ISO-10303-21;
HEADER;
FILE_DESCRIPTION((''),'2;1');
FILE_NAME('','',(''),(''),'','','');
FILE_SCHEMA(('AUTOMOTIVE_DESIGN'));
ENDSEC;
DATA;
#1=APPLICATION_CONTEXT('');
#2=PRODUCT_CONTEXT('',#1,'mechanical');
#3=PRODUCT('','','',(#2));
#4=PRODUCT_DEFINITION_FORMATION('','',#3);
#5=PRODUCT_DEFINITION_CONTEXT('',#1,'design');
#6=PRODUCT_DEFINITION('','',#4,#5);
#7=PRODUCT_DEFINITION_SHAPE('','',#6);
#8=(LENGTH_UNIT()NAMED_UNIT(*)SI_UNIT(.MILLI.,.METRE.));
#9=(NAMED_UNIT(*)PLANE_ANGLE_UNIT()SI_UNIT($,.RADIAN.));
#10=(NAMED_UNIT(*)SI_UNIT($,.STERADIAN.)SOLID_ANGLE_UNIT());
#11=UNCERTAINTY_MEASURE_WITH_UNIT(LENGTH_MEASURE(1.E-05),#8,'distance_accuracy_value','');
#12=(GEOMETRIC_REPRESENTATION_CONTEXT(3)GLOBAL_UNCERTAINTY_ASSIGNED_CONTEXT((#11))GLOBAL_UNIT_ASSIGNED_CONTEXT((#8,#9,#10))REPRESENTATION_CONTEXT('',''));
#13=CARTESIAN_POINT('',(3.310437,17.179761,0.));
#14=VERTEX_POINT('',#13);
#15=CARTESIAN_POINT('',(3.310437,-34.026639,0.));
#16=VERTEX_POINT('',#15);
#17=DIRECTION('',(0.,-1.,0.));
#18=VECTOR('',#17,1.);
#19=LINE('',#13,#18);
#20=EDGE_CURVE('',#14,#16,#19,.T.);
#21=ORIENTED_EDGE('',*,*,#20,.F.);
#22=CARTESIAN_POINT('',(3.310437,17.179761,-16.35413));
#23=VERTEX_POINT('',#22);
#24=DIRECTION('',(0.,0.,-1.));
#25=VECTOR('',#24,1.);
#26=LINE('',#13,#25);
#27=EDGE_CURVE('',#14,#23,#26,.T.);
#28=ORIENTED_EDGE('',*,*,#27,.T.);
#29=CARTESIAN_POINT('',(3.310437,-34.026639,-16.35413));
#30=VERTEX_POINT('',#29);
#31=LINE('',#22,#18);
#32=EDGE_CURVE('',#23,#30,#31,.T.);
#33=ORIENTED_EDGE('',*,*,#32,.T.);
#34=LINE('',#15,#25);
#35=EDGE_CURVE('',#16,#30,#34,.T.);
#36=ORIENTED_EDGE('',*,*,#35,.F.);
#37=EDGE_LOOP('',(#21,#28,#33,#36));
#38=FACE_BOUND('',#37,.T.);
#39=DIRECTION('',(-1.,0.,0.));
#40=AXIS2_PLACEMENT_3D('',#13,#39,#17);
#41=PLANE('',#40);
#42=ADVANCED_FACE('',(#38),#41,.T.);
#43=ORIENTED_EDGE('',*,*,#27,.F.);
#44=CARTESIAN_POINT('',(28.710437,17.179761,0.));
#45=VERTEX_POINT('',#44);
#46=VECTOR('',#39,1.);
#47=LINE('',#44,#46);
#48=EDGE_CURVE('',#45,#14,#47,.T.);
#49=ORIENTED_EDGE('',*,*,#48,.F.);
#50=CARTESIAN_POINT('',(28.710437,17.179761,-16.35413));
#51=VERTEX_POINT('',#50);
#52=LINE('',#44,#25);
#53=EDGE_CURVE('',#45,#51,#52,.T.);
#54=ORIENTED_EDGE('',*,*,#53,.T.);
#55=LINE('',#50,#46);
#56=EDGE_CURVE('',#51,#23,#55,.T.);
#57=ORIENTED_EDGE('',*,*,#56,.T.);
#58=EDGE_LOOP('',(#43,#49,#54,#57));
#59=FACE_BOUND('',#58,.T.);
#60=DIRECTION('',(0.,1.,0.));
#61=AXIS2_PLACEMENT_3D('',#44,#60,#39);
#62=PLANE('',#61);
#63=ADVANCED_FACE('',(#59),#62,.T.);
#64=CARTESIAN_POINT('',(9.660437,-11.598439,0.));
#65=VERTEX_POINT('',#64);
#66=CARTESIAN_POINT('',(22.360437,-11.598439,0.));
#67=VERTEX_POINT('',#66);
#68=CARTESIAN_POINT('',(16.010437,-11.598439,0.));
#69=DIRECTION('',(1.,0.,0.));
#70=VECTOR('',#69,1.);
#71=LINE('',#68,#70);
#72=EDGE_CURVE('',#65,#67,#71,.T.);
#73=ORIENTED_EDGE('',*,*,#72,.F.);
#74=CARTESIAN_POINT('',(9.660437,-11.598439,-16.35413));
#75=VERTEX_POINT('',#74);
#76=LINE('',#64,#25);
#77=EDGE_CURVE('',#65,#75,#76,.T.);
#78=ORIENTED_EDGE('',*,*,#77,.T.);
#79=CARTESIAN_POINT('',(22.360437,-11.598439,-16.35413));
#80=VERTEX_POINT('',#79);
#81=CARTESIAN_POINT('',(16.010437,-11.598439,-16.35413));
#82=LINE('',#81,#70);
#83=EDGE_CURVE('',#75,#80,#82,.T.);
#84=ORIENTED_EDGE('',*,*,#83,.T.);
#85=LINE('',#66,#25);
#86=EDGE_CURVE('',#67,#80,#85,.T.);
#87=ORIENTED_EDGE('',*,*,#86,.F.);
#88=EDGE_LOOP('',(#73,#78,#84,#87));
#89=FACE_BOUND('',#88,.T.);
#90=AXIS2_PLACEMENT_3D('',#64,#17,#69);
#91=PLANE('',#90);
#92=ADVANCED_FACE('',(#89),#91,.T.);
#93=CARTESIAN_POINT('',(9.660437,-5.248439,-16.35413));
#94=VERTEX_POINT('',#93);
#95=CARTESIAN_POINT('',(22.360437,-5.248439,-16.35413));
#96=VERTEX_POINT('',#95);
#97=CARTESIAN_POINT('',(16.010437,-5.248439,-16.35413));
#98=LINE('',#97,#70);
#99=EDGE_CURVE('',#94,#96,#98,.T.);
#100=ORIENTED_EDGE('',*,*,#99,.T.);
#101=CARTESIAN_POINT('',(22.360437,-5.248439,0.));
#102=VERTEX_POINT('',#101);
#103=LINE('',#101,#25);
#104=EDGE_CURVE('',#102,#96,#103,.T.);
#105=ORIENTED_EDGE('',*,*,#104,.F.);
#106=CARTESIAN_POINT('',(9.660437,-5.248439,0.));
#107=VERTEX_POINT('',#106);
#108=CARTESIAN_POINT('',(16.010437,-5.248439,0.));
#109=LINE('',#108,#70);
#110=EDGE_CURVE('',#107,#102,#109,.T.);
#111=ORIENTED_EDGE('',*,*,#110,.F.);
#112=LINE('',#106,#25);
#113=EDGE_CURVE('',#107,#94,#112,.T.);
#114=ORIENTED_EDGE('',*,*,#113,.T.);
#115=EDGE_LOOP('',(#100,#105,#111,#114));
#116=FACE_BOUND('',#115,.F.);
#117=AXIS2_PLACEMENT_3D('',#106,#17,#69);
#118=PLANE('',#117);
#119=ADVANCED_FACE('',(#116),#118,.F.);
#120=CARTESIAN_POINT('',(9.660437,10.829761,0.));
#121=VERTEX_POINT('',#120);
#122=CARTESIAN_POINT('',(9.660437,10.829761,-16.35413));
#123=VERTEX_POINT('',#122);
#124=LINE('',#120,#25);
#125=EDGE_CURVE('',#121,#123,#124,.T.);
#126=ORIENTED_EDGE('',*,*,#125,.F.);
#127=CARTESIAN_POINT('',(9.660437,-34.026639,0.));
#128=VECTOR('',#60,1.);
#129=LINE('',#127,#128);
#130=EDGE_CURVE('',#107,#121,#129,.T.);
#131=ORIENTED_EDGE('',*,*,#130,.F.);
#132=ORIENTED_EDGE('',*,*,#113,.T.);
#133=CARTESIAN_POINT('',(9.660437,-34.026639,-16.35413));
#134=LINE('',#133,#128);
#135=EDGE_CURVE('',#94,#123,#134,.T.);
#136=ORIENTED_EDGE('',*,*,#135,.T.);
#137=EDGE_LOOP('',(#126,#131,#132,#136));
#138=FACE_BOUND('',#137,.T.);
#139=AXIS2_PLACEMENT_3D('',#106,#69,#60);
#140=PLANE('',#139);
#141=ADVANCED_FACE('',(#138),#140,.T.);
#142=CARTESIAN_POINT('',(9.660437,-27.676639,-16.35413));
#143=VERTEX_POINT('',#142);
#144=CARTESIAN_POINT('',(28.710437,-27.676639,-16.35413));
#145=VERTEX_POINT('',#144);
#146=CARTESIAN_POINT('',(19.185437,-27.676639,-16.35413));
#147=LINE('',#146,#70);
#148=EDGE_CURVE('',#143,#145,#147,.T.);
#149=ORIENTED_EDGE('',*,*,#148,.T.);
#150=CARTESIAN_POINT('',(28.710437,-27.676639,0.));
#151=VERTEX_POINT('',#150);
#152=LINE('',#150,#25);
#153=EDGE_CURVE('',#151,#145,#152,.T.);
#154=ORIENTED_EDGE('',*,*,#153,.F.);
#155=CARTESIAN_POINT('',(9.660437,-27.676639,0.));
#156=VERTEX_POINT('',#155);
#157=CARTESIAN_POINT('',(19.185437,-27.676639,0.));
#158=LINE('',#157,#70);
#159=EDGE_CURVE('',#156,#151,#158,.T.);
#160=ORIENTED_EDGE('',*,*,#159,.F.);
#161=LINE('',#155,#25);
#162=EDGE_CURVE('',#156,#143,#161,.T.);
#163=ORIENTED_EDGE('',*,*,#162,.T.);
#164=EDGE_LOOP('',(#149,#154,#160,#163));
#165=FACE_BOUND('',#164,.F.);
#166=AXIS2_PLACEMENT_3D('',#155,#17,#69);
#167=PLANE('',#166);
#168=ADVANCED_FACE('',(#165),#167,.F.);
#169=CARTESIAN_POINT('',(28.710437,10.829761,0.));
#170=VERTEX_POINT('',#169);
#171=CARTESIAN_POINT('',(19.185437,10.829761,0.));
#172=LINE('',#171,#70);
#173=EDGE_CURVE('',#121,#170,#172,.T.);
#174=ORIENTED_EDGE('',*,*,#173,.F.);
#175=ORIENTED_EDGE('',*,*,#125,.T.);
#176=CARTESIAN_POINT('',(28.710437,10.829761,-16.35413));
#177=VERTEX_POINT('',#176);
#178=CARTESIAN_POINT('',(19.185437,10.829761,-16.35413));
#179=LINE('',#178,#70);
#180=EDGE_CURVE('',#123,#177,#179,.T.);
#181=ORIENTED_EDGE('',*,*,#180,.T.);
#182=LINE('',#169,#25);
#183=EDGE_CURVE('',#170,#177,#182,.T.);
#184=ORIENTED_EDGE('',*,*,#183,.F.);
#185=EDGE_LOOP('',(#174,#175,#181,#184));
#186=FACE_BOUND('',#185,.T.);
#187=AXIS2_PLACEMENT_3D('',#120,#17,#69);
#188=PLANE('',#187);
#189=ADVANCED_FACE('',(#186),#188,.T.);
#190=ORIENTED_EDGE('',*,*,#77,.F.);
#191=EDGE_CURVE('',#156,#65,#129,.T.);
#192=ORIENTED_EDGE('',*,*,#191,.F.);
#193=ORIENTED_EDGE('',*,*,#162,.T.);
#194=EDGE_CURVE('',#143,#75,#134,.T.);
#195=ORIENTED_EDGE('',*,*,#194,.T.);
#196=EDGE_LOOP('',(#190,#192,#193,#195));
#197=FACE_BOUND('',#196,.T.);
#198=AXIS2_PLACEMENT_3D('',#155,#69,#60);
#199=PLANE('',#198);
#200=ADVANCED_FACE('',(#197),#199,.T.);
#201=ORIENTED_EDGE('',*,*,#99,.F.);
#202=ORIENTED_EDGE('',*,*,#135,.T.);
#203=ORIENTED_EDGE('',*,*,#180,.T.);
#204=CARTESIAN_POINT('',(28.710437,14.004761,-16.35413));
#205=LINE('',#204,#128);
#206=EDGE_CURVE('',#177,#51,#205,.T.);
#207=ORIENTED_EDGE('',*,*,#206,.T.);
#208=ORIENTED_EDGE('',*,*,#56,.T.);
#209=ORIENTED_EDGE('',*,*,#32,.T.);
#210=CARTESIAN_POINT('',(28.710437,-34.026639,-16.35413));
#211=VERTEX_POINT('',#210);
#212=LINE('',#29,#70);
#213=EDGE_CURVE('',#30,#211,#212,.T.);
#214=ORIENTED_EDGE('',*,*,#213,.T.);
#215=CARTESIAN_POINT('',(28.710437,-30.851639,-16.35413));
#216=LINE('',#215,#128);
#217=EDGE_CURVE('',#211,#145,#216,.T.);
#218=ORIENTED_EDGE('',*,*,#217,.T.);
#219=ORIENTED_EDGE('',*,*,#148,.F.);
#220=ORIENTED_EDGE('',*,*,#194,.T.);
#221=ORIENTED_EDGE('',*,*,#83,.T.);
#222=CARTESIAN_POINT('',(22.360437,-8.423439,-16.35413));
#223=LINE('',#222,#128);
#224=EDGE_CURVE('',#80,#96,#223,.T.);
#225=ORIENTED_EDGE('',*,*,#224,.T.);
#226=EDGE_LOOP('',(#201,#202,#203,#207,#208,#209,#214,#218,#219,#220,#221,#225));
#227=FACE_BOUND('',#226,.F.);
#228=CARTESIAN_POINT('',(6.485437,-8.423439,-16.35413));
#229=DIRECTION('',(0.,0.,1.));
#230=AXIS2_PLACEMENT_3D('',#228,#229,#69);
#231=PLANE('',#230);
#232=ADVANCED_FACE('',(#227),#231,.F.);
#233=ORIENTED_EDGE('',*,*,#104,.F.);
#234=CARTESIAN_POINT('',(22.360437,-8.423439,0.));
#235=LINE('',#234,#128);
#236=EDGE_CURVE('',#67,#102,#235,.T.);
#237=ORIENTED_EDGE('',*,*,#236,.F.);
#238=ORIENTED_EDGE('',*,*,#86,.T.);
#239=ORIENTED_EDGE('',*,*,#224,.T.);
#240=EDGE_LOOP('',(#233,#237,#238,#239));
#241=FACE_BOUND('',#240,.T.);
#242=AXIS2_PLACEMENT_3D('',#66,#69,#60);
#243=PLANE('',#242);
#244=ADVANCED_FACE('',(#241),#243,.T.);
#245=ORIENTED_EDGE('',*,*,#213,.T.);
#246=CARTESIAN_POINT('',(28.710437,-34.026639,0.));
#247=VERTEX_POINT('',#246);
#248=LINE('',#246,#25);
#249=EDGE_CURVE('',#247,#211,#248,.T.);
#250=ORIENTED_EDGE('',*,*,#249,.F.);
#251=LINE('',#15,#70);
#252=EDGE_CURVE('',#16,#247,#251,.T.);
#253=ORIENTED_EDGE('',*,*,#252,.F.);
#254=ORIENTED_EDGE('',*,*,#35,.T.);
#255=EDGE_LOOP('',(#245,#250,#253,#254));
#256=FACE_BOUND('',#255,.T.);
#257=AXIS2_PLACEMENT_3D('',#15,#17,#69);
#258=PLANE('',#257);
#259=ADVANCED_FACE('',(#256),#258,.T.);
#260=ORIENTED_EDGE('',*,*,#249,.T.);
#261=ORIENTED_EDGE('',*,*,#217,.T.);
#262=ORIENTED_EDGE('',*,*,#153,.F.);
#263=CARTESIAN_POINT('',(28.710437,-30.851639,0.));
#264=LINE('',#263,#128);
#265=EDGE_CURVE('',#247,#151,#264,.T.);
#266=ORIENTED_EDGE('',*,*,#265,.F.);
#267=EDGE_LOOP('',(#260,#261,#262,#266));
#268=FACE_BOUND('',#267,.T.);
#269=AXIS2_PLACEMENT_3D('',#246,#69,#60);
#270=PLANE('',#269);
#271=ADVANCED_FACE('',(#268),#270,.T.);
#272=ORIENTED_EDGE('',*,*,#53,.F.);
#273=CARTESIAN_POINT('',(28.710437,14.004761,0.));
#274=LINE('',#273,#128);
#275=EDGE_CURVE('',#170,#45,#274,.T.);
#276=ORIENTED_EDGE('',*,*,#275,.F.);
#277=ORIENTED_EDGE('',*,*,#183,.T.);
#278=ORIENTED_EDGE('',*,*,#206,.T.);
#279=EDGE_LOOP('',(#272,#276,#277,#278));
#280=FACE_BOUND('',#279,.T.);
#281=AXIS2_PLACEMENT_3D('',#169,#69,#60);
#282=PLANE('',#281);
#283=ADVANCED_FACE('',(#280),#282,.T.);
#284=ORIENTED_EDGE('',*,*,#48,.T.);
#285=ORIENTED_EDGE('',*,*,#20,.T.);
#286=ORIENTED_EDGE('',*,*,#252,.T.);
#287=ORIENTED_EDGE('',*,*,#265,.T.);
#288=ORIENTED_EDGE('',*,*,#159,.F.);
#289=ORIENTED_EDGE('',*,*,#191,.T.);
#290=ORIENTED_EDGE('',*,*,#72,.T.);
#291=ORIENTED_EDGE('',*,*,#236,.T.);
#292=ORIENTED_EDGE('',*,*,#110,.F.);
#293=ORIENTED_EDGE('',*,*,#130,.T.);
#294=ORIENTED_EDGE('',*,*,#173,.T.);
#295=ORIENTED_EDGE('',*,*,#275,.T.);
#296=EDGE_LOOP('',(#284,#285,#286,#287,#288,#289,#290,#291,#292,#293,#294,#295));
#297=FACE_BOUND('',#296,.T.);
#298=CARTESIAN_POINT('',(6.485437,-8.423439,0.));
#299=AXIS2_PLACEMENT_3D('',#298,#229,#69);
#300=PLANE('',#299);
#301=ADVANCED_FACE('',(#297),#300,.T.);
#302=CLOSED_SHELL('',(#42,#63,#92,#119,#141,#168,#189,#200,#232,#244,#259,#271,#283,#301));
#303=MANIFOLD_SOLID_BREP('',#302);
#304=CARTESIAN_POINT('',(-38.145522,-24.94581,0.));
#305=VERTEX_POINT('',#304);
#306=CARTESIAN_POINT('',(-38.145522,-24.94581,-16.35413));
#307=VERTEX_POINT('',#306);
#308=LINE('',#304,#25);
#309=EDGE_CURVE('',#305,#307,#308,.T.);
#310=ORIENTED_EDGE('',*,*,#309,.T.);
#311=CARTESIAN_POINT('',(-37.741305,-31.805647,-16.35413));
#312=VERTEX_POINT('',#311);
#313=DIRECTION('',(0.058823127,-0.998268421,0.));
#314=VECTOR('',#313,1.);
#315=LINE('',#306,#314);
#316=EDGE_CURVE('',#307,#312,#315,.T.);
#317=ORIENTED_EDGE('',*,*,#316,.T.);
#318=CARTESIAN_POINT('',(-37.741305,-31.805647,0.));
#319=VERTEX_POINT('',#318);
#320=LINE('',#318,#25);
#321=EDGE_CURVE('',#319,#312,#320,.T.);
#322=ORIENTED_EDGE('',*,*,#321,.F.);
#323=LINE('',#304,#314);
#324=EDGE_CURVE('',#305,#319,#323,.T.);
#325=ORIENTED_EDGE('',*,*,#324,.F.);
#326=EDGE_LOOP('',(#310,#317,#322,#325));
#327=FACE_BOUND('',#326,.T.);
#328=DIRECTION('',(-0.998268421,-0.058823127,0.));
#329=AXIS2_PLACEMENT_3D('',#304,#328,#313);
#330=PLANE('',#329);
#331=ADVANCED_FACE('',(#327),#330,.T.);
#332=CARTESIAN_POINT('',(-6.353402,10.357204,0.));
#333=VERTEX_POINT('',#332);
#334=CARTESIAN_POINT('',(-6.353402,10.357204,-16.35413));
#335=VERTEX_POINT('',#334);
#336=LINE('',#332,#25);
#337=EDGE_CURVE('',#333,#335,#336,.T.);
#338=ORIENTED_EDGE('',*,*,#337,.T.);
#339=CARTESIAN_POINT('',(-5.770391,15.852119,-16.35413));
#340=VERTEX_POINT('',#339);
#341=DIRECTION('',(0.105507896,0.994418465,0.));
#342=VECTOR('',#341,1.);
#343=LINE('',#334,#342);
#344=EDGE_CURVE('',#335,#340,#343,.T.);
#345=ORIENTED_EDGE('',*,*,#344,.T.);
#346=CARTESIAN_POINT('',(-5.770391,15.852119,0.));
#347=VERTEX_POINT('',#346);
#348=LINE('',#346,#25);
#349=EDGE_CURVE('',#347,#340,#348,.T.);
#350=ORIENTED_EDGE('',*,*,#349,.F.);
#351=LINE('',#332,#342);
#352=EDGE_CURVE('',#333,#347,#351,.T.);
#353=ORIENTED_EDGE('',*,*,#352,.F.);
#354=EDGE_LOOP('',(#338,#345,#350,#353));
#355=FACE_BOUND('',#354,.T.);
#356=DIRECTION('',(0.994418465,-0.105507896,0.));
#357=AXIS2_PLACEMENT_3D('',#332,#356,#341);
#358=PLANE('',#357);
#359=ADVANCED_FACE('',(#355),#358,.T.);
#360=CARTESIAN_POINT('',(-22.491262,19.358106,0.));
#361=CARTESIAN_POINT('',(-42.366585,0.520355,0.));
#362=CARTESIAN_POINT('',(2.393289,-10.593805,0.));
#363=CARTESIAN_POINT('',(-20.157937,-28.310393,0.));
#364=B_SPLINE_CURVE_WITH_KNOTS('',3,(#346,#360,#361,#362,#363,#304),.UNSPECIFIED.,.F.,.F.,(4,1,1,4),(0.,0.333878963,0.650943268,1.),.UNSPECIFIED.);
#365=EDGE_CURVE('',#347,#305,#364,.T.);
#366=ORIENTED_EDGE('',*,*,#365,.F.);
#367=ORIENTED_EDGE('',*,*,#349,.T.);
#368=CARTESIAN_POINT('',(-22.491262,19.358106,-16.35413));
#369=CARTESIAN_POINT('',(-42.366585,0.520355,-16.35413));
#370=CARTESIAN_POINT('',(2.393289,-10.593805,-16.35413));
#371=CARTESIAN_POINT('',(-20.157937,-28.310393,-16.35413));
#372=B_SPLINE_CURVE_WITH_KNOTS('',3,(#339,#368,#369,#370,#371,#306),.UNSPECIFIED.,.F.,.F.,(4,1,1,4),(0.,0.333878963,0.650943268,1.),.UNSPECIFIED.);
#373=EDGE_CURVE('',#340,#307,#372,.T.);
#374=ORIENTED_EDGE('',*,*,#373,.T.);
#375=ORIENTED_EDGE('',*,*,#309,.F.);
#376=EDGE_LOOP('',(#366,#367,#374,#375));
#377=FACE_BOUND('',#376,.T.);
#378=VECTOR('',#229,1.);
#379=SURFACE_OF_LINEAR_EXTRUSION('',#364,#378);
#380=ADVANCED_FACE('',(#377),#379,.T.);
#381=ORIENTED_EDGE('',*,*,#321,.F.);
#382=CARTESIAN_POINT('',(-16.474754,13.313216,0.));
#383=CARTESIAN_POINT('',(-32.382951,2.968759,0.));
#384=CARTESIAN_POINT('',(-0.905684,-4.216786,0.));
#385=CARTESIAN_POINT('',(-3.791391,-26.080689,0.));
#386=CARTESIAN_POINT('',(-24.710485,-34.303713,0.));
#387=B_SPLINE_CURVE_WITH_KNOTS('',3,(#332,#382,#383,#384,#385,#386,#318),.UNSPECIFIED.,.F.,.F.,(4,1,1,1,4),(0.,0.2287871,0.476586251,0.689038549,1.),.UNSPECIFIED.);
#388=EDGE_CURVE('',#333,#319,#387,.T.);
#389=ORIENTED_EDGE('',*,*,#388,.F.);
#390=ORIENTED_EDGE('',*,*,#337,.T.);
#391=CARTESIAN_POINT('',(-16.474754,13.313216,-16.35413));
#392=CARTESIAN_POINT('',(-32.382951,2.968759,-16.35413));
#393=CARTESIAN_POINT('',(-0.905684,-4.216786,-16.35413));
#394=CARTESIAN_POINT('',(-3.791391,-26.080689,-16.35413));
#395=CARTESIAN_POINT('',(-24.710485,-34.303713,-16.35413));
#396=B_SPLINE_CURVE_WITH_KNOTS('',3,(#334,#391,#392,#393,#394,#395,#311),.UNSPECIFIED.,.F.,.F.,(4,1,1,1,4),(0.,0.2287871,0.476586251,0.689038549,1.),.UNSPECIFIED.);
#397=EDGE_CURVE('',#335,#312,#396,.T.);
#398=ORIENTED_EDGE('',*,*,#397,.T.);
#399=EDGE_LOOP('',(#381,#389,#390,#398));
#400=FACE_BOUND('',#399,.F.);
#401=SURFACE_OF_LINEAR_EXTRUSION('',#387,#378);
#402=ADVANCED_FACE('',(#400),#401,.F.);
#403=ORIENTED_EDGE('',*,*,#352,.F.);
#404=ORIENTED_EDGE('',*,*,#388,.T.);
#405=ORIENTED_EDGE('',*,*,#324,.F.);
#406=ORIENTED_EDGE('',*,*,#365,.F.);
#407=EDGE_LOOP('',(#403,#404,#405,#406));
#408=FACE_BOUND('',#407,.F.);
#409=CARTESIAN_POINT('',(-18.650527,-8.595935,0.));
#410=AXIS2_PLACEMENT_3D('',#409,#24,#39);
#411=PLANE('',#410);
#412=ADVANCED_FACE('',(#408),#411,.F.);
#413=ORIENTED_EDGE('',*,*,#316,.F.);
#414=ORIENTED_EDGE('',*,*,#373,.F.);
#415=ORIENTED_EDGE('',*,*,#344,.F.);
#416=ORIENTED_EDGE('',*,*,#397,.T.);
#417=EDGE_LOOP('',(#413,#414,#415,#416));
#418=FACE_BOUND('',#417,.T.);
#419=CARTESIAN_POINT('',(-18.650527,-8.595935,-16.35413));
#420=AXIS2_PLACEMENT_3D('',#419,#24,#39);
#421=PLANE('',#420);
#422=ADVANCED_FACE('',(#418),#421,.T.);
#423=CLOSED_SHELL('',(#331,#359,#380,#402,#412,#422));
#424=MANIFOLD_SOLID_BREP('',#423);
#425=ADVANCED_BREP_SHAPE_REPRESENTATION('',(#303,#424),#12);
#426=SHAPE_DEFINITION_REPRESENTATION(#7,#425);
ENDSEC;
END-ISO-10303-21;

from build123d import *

# Parameters (mm, degrees)
F1_DEPTH = 16.35413
F0_W     = 19.05
F0_H     = 6.35
F0_W_2   = 12.7


with BuildPart() as f1:
    # F0 (on Top) → F1 (new body)
    with BuildSketch(Plane.XY):
        with BuildLine():
            add(Edge.make_bspline(
                [(-6.3534020252, 10.3572044333), (-16.4747535219, 13.3132160411), (-32.3829505751, 2.9687593453), (-0.9056840339, -4.2167861589), (-3.7913907379, -26.0806894741), (-24.7104848916, -34.3037134479), (-37.7413049491, -31.8056472424)],
                knots=[0, 0, 0, 0, 0.2287870999, 0.4765862506, 0.6890385487, 1, 1, 1, 1], degree=3))
            Line((-6.3534020252, 10.3572044333), (-5.7703910287, 15.8521192682))
            add(Edge.make_bspline(
                [(-5.7703910287, 15.8521192682), (-22.4912622837, 19.3581060105), (-42.3665848378, 0.5203549958), (2.3932888762, -10.5938046517), (-20.1579371378, -28.3103930206), (-38.1455219865, -24.9458096052)],
                knots=[0, 0, 0, 0, 0.3338789632, 0.6509432679, 1, 1, 1, 1], degree=3))
            Line((-38.1455219865, -24.9458096052), (-37.7413049491, -31.8056472424))
        make_face()
    extrude(amount=-F1_DEPTH)


with BuildPart() as f1b:
    # F0 (on Top) → F1, piece 2 (new body)
    with BuildSketch(Plane.XY):
        Polygon((9.6604372393, 17.1797614419), (3.3104372393, 17.1797614419), (3.3104372393, -34.0266385581), (9.6604372393, -34.0266385581), (9.6604372393, -27.6766385581), (9.6604372393, -11.5984385581), (9.6604372393, -5.2484385581), (9.6604372393, 10.8297614419), align=None)
        with Locations((19.1854372393, 14.0047614419)):
            Rectangle(F0_W, F0_H)
        with Locations((19.1854372393, -30.8516385581)):
            Rectangle(F0_W, F0_H)
        with Locations((16.0104372393, -8.4234385581)):
            Rectangle(F0_W_2, F0_H)
    extrude(amount=-F1_DEPTH)


solid = Compound([f1.part, f1b.part])
